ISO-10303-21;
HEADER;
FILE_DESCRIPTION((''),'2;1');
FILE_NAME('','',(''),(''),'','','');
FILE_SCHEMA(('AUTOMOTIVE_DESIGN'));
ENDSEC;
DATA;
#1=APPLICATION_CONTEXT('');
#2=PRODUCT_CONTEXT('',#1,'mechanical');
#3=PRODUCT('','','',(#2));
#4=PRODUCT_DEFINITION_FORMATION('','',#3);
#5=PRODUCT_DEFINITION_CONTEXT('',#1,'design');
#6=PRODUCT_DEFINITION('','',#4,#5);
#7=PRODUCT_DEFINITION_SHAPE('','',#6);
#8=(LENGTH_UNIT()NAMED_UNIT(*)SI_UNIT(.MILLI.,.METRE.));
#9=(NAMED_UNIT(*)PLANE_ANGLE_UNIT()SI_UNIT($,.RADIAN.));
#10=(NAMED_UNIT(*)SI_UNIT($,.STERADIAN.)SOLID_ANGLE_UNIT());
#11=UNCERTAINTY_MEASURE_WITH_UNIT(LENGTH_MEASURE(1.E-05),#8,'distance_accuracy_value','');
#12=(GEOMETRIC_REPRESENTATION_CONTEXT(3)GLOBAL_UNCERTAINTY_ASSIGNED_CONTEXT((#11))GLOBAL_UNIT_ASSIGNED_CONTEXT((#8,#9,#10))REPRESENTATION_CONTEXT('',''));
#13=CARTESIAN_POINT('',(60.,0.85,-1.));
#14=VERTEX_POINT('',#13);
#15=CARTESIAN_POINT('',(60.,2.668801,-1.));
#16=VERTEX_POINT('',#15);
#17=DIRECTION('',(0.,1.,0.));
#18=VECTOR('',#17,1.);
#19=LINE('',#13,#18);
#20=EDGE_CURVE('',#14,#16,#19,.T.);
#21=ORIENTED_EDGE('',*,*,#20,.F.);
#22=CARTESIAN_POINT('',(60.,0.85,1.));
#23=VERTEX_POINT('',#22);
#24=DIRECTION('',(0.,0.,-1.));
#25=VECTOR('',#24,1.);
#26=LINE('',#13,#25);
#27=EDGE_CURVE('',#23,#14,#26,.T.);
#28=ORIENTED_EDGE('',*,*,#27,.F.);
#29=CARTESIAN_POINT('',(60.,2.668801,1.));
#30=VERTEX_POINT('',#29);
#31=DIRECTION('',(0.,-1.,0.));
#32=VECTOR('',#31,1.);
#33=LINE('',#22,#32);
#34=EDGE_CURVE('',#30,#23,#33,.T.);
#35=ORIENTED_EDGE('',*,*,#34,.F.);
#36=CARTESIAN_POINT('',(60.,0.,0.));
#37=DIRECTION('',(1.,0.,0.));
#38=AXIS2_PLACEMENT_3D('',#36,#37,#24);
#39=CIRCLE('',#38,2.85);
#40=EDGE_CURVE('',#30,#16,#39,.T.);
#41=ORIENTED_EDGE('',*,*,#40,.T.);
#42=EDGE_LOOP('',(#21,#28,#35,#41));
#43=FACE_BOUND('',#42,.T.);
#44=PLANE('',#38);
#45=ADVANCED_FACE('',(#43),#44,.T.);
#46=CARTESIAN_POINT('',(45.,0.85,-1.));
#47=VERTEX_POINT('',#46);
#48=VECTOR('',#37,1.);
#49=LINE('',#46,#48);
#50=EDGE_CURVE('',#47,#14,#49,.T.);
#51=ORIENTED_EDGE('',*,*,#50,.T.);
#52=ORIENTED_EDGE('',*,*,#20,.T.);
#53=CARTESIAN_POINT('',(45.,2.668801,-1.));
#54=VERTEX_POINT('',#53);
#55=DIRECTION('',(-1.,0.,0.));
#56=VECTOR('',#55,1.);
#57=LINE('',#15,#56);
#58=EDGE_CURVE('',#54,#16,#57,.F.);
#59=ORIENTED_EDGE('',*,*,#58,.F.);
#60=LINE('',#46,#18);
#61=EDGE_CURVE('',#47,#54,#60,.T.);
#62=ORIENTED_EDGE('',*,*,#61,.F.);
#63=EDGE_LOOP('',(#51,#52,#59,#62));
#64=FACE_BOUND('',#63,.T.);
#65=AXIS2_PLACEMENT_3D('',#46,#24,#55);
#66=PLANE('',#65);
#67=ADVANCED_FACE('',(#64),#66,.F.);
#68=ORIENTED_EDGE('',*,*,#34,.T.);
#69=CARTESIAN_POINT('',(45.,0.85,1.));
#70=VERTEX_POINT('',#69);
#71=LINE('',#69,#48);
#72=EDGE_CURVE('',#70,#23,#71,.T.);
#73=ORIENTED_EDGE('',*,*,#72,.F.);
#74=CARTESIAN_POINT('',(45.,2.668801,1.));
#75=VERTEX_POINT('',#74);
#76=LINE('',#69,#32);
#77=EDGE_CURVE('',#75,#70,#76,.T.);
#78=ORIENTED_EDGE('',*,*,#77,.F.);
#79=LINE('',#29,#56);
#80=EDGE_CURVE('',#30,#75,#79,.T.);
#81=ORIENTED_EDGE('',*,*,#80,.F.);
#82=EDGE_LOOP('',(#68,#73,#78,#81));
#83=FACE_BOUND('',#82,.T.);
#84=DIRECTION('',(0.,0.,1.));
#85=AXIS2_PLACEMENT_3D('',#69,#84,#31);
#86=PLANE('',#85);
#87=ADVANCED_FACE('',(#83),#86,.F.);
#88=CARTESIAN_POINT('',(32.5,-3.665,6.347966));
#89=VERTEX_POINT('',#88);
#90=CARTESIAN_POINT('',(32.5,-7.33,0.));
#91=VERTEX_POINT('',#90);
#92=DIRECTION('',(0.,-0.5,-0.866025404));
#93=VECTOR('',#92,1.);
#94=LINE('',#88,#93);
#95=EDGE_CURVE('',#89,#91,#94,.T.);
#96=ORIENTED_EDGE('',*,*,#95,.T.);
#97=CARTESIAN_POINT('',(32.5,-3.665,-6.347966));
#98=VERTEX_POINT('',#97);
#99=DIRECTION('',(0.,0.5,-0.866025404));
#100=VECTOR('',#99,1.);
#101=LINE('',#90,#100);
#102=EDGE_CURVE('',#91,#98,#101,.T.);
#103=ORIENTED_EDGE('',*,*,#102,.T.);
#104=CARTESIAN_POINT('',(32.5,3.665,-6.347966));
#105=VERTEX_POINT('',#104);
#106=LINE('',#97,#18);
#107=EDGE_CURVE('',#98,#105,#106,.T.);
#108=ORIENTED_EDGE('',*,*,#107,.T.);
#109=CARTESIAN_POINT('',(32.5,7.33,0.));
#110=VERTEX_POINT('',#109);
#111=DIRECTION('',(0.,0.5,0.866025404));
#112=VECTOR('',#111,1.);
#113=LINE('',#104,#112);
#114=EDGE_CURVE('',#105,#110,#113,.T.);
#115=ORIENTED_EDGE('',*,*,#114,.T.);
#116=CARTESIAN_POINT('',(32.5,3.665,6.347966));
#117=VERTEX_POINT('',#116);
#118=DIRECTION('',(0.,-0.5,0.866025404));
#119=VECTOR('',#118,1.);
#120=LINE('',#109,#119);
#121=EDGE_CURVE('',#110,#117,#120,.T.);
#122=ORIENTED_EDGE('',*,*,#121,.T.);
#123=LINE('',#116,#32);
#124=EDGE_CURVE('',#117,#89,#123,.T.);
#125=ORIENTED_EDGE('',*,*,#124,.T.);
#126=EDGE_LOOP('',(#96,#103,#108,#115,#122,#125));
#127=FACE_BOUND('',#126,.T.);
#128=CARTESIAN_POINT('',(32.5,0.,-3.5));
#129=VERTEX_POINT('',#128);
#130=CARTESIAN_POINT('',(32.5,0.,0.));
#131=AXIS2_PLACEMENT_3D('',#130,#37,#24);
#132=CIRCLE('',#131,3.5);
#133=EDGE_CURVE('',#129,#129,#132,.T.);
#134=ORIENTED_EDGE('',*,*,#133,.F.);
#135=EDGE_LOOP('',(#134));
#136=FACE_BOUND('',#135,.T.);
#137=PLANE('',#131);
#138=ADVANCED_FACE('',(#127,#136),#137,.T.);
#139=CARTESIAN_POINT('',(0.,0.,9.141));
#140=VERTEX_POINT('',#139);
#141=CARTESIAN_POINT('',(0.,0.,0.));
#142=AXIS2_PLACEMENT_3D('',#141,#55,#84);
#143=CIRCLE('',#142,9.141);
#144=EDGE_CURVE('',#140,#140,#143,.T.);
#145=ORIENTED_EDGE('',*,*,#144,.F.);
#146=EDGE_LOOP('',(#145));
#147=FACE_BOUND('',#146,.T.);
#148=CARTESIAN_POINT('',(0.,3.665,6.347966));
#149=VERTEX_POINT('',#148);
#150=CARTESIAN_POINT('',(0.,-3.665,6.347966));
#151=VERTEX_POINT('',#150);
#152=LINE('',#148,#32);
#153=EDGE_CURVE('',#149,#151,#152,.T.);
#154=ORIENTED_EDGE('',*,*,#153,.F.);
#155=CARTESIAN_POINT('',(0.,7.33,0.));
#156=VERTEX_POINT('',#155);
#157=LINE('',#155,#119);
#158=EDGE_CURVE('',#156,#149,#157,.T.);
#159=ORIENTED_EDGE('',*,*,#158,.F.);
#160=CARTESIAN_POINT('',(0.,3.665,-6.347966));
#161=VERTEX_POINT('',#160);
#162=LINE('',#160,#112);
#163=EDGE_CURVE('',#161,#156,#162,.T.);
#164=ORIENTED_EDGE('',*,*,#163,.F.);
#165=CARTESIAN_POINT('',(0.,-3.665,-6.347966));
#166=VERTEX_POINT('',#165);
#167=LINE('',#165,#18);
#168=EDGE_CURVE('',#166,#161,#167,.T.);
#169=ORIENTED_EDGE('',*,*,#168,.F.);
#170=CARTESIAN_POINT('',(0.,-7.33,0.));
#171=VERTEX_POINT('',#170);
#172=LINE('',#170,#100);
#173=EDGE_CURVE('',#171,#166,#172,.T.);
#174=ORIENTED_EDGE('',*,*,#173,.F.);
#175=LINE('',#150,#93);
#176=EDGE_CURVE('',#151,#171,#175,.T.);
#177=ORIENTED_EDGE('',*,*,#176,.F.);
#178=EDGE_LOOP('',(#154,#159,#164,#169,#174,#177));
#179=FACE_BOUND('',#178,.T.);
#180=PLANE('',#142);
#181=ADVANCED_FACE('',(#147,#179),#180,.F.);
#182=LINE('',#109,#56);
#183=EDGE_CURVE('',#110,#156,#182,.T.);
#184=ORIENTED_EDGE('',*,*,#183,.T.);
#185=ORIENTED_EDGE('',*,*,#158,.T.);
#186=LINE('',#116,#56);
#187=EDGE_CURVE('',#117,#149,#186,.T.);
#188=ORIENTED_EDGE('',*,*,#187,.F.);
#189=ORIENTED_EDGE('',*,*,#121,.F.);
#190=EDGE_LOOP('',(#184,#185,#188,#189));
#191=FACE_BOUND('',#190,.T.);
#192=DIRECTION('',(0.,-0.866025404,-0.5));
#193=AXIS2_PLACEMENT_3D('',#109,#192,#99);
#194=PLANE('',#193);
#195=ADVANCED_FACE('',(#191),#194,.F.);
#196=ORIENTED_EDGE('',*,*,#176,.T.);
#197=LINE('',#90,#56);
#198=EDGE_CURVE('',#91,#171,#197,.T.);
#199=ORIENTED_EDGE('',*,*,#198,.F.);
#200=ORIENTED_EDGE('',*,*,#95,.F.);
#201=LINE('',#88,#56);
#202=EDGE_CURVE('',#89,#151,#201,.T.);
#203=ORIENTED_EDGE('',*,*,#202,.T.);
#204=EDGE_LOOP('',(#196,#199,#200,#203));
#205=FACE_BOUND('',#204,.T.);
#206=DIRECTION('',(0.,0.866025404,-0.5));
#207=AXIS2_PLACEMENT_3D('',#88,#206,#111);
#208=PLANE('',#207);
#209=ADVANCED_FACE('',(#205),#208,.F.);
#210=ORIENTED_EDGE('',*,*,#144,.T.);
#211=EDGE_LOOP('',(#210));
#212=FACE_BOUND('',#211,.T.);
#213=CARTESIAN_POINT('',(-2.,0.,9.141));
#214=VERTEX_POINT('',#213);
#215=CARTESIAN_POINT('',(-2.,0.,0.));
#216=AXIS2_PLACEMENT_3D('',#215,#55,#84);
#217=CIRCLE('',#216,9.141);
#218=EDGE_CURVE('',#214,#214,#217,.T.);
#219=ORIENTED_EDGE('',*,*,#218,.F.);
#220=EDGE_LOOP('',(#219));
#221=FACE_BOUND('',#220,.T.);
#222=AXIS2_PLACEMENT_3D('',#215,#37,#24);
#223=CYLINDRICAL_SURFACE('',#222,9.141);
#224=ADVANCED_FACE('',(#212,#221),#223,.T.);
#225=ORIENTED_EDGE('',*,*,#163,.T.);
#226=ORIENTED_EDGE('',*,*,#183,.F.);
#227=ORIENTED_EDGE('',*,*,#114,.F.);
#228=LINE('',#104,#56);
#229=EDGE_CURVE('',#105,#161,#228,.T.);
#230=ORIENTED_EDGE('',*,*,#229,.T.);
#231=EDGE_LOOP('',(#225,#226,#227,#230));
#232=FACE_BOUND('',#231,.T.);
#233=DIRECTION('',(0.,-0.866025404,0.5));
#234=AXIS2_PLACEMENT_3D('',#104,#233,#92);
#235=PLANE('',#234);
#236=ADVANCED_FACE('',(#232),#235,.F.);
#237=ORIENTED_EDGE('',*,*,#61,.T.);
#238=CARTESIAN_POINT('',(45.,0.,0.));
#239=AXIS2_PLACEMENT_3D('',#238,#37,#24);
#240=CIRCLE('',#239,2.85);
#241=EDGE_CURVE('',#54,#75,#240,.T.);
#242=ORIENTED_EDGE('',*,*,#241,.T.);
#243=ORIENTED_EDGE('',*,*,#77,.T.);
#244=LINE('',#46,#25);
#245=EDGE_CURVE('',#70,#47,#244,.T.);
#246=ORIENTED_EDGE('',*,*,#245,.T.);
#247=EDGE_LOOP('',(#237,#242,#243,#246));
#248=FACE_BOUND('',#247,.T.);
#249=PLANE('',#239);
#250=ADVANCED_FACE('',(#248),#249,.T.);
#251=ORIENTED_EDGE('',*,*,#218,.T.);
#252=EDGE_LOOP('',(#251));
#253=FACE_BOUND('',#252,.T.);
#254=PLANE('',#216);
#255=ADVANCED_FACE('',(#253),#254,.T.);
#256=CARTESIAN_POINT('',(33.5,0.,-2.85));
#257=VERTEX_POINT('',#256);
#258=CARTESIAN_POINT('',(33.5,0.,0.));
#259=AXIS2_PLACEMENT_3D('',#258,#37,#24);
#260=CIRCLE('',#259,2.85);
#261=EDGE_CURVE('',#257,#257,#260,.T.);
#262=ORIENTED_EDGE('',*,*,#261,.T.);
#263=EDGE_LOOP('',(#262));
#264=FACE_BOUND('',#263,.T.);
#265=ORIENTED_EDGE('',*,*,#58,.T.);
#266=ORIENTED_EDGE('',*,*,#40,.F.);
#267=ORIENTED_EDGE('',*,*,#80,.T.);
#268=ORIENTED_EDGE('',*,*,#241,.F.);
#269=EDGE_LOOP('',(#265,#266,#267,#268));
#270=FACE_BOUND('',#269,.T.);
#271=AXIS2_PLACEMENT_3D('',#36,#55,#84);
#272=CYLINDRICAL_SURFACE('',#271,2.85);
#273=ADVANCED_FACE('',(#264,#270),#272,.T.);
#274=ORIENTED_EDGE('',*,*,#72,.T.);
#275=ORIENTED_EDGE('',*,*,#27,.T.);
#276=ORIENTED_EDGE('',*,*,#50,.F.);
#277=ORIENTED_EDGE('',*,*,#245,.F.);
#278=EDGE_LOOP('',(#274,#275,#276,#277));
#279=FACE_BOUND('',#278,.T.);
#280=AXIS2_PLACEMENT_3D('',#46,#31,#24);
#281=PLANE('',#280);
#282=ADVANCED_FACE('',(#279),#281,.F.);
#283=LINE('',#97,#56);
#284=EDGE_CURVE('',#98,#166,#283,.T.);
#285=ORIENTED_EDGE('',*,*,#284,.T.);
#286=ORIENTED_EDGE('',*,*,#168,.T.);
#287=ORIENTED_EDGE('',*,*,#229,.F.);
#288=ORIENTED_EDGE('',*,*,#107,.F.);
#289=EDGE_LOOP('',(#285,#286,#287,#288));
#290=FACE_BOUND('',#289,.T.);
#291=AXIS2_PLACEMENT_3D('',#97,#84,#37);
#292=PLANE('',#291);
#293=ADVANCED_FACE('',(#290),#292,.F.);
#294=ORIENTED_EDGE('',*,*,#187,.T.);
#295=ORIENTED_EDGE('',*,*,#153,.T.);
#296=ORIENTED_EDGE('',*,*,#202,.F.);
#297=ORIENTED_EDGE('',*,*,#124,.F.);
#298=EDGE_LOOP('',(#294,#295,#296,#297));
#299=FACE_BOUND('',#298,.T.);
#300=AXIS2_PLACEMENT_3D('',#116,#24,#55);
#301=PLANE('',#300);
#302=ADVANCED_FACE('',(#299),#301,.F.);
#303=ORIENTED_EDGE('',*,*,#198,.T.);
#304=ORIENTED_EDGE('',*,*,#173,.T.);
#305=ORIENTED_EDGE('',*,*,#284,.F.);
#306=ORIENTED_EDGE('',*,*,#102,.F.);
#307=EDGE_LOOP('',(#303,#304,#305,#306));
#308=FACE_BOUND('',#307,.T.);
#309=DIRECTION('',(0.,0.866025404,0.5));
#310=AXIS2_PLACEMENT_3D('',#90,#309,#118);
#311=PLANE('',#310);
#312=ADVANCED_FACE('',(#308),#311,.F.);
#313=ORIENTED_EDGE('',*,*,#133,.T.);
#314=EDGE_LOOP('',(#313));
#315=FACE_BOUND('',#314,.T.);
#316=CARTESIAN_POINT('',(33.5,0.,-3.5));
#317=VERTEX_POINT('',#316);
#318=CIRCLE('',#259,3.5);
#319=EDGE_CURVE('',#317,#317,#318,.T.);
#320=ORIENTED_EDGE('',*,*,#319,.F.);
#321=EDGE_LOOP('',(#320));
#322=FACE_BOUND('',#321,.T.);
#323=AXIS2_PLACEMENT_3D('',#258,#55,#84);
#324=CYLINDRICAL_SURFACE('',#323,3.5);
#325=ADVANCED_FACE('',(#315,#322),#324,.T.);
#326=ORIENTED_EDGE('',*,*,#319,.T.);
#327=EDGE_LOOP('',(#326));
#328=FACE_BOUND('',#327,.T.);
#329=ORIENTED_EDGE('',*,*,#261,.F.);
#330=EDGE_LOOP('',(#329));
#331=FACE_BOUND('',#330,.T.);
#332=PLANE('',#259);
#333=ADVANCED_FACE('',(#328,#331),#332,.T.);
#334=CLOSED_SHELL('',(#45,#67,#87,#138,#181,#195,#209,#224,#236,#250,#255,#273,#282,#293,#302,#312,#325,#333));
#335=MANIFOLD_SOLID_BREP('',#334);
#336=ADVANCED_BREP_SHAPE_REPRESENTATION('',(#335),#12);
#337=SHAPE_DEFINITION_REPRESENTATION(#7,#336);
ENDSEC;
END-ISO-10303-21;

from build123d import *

# Parameters (mm, degrees)
SKETCH1_R           = 2.85
BOSS_EXTRUDE1_DEPTH = 60
SKETCH2_R           = 9.141
BOSS_EXTRUDE2_DEPTH = 2
BOSS_EXTRUDE3_DEPTH = 32.5
SKETCH4_W           = 2
SKETCH4_H           = 2
CUT_EXTRUDE1_DEPTH  = 15
SKETCH5_R           = 3.5
BOSS_EXTRUDE5_DEPTH = 1


with BuildPart() as part:
    # Sketch1 → Boss-Extrude1 (new body)
    with BuildSketch(Plane.YZ):
        with Locations(Location((0, 0, 0), (0, 0, 270))):
            Circle(SKETCH1_R)
    extrude(amount=BOSS_EXTRUDE1_DEPTH)

    # Sketch2 → Boss-Extrude2 (add)
    with BuildSketch(Plane(origin=(0, 0, 0), x_dir=(0, -1, 0), z_dir=(-1, 0, 0))):
        with Locations(Location((0, 0, 0), (0, 0, 90))):
            Circle(SKETCH2_R)
    extrude(amount=BOSS_EXTRUDE2_DEPTH)

    # Sketch3 → Boss-Extrude3 (add)
    with BuildSketch(Plane.YZ):
        Polygon((3.665, 6.34796621), (-3.665, 6.34796621), (-7.33, 0), (-3.665, -6.34796621), (3.665, -6.34796621), (7.33, 0), align=None)
    extrude(amount=BOSS_EXTRUDE3_DEPTH)

    # Sketch4 → Cut-Extrude1 (cut)
    with BuildSketch(Plane.YZ.offset(60)):
        with Locations((1.85, 0)):
            Rectangle(SKETCH4_W, SKETCH4_H)
    extrude(amount=-CUT_EXTRUDE1_DEPTH, mode=Mode.SUBTRACT)

    # Sketch5 → Boss-Extrude5 (add)
    with BuildSketch(Plane.YZ.offset(32.5)):
        with Locations(Location((0, 0, 0), (0, 0, 270))):
            Circle(SKETCH5_R)
    extrude(amount=BOSS_EXTRUDE5_DEPTH)


solid = part.part
